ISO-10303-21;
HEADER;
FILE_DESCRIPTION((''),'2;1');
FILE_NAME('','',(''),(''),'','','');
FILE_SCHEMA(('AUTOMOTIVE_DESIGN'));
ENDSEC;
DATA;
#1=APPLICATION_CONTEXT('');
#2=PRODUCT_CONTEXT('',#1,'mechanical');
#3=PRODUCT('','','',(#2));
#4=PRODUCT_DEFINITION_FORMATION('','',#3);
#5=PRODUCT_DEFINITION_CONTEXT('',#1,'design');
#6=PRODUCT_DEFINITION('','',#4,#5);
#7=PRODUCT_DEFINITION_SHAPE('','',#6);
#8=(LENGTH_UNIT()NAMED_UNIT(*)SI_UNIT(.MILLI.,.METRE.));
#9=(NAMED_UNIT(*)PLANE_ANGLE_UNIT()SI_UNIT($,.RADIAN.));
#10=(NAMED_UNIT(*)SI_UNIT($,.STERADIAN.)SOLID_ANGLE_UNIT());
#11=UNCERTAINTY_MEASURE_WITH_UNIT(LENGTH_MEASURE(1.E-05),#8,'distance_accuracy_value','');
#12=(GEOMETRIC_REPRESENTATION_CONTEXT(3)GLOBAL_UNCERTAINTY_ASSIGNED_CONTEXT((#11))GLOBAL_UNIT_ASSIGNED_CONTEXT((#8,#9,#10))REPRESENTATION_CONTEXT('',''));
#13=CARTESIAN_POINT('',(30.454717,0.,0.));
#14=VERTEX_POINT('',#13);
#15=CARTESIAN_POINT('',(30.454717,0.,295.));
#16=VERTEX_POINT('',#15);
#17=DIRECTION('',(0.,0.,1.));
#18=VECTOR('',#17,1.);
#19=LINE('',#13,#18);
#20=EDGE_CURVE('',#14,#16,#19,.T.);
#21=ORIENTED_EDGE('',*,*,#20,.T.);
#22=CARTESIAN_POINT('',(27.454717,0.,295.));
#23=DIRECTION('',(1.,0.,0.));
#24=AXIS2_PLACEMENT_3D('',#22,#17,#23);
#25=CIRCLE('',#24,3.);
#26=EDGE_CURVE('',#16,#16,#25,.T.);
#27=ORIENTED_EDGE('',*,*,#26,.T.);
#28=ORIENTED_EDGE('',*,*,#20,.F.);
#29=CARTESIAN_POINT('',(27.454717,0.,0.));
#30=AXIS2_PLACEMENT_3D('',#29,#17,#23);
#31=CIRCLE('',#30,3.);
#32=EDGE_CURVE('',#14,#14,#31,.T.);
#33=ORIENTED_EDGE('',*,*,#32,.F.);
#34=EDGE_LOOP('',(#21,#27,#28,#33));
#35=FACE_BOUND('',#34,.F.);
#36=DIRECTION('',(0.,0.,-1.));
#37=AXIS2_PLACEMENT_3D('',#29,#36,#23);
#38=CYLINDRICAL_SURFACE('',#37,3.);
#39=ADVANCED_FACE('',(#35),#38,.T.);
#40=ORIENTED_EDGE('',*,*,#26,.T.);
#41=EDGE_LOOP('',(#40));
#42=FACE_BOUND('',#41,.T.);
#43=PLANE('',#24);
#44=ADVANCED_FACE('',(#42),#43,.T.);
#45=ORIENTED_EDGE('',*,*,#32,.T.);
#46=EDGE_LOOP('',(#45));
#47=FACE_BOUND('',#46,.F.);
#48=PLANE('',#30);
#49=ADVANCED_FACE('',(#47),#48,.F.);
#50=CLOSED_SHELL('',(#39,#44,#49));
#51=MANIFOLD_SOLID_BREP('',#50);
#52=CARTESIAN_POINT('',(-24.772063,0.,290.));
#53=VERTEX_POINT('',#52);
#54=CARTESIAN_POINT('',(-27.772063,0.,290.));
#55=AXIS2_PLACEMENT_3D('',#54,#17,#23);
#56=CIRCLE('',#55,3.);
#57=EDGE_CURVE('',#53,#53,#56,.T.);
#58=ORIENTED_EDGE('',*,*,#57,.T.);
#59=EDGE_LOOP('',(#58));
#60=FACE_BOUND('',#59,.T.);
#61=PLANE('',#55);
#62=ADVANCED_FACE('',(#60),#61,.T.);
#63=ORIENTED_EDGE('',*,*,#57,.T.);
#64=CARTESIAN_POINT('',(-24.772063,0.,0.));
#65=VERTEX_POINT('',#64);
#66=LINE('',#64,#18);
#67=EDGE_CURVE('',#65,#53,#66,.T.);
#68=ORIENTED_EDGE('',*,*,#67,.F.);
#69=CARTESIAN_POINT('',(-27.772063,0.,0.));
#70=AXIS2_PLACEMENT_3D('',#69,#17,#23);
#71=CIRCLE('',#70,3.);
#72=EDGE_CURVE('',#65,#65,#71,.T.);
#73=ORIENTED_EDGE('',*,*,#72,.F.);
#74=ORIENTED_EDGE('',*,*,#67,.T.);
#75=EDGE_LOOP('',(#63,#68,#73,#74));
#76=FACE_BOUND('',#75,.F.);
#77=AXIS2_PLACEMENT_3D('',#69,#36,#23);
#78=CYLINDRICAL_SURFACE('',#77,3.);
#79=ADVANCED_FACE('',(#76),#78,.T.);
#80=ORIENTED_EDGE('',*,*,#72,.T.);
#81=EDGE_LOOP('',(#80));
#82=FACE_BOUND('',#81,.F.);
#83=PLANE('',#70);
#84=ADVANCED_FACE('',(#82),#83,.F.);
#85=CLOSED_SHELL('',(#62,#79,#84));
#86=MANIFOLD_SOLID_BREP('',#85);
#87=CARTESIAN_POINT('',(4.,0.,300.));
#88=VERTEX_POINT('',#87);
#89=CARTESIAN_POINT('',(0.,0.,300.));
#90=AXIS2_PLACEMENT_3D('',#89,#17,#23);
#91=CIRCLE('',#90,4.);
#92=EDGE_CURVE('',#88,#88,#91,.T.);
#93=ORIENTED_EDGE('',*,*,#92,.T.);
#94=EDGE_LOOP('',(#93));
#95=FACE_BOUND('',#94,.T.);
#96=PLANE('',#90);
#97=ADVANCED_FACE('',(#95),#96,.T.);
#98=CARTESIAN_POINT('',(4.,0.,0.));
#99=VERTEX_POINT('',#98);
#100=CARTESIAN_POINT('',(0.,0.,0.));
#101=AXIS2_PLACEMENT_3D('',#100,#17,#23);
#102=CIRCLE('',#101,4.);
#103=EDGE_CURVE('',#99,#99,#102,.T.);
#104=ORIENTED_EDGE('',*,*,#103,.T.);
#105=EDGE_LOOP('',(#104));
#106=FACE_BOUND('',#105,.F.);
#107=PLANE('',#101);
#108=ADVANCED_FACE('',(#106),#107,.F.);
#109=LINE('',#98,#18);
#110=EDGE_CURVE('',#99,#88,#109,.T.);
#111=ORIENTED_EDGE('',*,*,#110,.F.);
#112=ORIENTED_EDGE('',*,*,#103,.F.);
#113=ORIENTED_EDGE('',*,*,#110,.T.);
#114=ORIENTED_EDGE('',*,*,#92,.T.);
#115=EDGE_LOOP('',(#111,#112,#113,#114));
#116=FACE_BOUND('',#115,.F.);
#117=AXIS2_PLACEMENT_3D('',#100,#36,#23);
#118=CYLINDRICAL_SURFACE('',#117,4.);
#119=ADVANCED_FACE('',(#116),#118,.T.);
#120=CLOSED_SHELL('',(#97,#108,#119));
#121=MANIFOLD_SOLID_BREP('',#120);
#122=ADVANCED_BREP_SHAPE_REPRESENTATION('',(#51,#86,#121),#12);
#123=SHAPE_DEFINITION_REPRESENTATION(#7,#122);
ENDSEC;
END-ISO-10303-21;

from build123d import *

# Parameters (mm, degrees)
F0_R     = 4
F1_DEPTH = 300
F0_R_2   = 3
F2_DEPTH = 290
F3_DEPTH = 295


with BuildPart() as f1:
    # F0 (on Top) → F1 (new body)
    with BuildSketch(Plane.XY):
        Circle(F0_R)
    extrude(amount=F1_DEPTH)


with BuildPart() as f2:
    # F0 (on Top) → F2 (new body)
    with BuildSketch(Plane.XY):
        with Locations((-27.772063, 0)):
            Circle(F0_R_2)
    extrude(amount=F2_DEPTH)


with BuildPart() as f3:
    # F0 (on Top) → F3 (new body)
    with BuildSketch(Plane.XY):
        with Locations((27.454717, 0)):
            Circle(F0_R_2)
    extrude(amount=F3_DEPTH)


solid = Compound([f1.part, f2.part, f3.part])
